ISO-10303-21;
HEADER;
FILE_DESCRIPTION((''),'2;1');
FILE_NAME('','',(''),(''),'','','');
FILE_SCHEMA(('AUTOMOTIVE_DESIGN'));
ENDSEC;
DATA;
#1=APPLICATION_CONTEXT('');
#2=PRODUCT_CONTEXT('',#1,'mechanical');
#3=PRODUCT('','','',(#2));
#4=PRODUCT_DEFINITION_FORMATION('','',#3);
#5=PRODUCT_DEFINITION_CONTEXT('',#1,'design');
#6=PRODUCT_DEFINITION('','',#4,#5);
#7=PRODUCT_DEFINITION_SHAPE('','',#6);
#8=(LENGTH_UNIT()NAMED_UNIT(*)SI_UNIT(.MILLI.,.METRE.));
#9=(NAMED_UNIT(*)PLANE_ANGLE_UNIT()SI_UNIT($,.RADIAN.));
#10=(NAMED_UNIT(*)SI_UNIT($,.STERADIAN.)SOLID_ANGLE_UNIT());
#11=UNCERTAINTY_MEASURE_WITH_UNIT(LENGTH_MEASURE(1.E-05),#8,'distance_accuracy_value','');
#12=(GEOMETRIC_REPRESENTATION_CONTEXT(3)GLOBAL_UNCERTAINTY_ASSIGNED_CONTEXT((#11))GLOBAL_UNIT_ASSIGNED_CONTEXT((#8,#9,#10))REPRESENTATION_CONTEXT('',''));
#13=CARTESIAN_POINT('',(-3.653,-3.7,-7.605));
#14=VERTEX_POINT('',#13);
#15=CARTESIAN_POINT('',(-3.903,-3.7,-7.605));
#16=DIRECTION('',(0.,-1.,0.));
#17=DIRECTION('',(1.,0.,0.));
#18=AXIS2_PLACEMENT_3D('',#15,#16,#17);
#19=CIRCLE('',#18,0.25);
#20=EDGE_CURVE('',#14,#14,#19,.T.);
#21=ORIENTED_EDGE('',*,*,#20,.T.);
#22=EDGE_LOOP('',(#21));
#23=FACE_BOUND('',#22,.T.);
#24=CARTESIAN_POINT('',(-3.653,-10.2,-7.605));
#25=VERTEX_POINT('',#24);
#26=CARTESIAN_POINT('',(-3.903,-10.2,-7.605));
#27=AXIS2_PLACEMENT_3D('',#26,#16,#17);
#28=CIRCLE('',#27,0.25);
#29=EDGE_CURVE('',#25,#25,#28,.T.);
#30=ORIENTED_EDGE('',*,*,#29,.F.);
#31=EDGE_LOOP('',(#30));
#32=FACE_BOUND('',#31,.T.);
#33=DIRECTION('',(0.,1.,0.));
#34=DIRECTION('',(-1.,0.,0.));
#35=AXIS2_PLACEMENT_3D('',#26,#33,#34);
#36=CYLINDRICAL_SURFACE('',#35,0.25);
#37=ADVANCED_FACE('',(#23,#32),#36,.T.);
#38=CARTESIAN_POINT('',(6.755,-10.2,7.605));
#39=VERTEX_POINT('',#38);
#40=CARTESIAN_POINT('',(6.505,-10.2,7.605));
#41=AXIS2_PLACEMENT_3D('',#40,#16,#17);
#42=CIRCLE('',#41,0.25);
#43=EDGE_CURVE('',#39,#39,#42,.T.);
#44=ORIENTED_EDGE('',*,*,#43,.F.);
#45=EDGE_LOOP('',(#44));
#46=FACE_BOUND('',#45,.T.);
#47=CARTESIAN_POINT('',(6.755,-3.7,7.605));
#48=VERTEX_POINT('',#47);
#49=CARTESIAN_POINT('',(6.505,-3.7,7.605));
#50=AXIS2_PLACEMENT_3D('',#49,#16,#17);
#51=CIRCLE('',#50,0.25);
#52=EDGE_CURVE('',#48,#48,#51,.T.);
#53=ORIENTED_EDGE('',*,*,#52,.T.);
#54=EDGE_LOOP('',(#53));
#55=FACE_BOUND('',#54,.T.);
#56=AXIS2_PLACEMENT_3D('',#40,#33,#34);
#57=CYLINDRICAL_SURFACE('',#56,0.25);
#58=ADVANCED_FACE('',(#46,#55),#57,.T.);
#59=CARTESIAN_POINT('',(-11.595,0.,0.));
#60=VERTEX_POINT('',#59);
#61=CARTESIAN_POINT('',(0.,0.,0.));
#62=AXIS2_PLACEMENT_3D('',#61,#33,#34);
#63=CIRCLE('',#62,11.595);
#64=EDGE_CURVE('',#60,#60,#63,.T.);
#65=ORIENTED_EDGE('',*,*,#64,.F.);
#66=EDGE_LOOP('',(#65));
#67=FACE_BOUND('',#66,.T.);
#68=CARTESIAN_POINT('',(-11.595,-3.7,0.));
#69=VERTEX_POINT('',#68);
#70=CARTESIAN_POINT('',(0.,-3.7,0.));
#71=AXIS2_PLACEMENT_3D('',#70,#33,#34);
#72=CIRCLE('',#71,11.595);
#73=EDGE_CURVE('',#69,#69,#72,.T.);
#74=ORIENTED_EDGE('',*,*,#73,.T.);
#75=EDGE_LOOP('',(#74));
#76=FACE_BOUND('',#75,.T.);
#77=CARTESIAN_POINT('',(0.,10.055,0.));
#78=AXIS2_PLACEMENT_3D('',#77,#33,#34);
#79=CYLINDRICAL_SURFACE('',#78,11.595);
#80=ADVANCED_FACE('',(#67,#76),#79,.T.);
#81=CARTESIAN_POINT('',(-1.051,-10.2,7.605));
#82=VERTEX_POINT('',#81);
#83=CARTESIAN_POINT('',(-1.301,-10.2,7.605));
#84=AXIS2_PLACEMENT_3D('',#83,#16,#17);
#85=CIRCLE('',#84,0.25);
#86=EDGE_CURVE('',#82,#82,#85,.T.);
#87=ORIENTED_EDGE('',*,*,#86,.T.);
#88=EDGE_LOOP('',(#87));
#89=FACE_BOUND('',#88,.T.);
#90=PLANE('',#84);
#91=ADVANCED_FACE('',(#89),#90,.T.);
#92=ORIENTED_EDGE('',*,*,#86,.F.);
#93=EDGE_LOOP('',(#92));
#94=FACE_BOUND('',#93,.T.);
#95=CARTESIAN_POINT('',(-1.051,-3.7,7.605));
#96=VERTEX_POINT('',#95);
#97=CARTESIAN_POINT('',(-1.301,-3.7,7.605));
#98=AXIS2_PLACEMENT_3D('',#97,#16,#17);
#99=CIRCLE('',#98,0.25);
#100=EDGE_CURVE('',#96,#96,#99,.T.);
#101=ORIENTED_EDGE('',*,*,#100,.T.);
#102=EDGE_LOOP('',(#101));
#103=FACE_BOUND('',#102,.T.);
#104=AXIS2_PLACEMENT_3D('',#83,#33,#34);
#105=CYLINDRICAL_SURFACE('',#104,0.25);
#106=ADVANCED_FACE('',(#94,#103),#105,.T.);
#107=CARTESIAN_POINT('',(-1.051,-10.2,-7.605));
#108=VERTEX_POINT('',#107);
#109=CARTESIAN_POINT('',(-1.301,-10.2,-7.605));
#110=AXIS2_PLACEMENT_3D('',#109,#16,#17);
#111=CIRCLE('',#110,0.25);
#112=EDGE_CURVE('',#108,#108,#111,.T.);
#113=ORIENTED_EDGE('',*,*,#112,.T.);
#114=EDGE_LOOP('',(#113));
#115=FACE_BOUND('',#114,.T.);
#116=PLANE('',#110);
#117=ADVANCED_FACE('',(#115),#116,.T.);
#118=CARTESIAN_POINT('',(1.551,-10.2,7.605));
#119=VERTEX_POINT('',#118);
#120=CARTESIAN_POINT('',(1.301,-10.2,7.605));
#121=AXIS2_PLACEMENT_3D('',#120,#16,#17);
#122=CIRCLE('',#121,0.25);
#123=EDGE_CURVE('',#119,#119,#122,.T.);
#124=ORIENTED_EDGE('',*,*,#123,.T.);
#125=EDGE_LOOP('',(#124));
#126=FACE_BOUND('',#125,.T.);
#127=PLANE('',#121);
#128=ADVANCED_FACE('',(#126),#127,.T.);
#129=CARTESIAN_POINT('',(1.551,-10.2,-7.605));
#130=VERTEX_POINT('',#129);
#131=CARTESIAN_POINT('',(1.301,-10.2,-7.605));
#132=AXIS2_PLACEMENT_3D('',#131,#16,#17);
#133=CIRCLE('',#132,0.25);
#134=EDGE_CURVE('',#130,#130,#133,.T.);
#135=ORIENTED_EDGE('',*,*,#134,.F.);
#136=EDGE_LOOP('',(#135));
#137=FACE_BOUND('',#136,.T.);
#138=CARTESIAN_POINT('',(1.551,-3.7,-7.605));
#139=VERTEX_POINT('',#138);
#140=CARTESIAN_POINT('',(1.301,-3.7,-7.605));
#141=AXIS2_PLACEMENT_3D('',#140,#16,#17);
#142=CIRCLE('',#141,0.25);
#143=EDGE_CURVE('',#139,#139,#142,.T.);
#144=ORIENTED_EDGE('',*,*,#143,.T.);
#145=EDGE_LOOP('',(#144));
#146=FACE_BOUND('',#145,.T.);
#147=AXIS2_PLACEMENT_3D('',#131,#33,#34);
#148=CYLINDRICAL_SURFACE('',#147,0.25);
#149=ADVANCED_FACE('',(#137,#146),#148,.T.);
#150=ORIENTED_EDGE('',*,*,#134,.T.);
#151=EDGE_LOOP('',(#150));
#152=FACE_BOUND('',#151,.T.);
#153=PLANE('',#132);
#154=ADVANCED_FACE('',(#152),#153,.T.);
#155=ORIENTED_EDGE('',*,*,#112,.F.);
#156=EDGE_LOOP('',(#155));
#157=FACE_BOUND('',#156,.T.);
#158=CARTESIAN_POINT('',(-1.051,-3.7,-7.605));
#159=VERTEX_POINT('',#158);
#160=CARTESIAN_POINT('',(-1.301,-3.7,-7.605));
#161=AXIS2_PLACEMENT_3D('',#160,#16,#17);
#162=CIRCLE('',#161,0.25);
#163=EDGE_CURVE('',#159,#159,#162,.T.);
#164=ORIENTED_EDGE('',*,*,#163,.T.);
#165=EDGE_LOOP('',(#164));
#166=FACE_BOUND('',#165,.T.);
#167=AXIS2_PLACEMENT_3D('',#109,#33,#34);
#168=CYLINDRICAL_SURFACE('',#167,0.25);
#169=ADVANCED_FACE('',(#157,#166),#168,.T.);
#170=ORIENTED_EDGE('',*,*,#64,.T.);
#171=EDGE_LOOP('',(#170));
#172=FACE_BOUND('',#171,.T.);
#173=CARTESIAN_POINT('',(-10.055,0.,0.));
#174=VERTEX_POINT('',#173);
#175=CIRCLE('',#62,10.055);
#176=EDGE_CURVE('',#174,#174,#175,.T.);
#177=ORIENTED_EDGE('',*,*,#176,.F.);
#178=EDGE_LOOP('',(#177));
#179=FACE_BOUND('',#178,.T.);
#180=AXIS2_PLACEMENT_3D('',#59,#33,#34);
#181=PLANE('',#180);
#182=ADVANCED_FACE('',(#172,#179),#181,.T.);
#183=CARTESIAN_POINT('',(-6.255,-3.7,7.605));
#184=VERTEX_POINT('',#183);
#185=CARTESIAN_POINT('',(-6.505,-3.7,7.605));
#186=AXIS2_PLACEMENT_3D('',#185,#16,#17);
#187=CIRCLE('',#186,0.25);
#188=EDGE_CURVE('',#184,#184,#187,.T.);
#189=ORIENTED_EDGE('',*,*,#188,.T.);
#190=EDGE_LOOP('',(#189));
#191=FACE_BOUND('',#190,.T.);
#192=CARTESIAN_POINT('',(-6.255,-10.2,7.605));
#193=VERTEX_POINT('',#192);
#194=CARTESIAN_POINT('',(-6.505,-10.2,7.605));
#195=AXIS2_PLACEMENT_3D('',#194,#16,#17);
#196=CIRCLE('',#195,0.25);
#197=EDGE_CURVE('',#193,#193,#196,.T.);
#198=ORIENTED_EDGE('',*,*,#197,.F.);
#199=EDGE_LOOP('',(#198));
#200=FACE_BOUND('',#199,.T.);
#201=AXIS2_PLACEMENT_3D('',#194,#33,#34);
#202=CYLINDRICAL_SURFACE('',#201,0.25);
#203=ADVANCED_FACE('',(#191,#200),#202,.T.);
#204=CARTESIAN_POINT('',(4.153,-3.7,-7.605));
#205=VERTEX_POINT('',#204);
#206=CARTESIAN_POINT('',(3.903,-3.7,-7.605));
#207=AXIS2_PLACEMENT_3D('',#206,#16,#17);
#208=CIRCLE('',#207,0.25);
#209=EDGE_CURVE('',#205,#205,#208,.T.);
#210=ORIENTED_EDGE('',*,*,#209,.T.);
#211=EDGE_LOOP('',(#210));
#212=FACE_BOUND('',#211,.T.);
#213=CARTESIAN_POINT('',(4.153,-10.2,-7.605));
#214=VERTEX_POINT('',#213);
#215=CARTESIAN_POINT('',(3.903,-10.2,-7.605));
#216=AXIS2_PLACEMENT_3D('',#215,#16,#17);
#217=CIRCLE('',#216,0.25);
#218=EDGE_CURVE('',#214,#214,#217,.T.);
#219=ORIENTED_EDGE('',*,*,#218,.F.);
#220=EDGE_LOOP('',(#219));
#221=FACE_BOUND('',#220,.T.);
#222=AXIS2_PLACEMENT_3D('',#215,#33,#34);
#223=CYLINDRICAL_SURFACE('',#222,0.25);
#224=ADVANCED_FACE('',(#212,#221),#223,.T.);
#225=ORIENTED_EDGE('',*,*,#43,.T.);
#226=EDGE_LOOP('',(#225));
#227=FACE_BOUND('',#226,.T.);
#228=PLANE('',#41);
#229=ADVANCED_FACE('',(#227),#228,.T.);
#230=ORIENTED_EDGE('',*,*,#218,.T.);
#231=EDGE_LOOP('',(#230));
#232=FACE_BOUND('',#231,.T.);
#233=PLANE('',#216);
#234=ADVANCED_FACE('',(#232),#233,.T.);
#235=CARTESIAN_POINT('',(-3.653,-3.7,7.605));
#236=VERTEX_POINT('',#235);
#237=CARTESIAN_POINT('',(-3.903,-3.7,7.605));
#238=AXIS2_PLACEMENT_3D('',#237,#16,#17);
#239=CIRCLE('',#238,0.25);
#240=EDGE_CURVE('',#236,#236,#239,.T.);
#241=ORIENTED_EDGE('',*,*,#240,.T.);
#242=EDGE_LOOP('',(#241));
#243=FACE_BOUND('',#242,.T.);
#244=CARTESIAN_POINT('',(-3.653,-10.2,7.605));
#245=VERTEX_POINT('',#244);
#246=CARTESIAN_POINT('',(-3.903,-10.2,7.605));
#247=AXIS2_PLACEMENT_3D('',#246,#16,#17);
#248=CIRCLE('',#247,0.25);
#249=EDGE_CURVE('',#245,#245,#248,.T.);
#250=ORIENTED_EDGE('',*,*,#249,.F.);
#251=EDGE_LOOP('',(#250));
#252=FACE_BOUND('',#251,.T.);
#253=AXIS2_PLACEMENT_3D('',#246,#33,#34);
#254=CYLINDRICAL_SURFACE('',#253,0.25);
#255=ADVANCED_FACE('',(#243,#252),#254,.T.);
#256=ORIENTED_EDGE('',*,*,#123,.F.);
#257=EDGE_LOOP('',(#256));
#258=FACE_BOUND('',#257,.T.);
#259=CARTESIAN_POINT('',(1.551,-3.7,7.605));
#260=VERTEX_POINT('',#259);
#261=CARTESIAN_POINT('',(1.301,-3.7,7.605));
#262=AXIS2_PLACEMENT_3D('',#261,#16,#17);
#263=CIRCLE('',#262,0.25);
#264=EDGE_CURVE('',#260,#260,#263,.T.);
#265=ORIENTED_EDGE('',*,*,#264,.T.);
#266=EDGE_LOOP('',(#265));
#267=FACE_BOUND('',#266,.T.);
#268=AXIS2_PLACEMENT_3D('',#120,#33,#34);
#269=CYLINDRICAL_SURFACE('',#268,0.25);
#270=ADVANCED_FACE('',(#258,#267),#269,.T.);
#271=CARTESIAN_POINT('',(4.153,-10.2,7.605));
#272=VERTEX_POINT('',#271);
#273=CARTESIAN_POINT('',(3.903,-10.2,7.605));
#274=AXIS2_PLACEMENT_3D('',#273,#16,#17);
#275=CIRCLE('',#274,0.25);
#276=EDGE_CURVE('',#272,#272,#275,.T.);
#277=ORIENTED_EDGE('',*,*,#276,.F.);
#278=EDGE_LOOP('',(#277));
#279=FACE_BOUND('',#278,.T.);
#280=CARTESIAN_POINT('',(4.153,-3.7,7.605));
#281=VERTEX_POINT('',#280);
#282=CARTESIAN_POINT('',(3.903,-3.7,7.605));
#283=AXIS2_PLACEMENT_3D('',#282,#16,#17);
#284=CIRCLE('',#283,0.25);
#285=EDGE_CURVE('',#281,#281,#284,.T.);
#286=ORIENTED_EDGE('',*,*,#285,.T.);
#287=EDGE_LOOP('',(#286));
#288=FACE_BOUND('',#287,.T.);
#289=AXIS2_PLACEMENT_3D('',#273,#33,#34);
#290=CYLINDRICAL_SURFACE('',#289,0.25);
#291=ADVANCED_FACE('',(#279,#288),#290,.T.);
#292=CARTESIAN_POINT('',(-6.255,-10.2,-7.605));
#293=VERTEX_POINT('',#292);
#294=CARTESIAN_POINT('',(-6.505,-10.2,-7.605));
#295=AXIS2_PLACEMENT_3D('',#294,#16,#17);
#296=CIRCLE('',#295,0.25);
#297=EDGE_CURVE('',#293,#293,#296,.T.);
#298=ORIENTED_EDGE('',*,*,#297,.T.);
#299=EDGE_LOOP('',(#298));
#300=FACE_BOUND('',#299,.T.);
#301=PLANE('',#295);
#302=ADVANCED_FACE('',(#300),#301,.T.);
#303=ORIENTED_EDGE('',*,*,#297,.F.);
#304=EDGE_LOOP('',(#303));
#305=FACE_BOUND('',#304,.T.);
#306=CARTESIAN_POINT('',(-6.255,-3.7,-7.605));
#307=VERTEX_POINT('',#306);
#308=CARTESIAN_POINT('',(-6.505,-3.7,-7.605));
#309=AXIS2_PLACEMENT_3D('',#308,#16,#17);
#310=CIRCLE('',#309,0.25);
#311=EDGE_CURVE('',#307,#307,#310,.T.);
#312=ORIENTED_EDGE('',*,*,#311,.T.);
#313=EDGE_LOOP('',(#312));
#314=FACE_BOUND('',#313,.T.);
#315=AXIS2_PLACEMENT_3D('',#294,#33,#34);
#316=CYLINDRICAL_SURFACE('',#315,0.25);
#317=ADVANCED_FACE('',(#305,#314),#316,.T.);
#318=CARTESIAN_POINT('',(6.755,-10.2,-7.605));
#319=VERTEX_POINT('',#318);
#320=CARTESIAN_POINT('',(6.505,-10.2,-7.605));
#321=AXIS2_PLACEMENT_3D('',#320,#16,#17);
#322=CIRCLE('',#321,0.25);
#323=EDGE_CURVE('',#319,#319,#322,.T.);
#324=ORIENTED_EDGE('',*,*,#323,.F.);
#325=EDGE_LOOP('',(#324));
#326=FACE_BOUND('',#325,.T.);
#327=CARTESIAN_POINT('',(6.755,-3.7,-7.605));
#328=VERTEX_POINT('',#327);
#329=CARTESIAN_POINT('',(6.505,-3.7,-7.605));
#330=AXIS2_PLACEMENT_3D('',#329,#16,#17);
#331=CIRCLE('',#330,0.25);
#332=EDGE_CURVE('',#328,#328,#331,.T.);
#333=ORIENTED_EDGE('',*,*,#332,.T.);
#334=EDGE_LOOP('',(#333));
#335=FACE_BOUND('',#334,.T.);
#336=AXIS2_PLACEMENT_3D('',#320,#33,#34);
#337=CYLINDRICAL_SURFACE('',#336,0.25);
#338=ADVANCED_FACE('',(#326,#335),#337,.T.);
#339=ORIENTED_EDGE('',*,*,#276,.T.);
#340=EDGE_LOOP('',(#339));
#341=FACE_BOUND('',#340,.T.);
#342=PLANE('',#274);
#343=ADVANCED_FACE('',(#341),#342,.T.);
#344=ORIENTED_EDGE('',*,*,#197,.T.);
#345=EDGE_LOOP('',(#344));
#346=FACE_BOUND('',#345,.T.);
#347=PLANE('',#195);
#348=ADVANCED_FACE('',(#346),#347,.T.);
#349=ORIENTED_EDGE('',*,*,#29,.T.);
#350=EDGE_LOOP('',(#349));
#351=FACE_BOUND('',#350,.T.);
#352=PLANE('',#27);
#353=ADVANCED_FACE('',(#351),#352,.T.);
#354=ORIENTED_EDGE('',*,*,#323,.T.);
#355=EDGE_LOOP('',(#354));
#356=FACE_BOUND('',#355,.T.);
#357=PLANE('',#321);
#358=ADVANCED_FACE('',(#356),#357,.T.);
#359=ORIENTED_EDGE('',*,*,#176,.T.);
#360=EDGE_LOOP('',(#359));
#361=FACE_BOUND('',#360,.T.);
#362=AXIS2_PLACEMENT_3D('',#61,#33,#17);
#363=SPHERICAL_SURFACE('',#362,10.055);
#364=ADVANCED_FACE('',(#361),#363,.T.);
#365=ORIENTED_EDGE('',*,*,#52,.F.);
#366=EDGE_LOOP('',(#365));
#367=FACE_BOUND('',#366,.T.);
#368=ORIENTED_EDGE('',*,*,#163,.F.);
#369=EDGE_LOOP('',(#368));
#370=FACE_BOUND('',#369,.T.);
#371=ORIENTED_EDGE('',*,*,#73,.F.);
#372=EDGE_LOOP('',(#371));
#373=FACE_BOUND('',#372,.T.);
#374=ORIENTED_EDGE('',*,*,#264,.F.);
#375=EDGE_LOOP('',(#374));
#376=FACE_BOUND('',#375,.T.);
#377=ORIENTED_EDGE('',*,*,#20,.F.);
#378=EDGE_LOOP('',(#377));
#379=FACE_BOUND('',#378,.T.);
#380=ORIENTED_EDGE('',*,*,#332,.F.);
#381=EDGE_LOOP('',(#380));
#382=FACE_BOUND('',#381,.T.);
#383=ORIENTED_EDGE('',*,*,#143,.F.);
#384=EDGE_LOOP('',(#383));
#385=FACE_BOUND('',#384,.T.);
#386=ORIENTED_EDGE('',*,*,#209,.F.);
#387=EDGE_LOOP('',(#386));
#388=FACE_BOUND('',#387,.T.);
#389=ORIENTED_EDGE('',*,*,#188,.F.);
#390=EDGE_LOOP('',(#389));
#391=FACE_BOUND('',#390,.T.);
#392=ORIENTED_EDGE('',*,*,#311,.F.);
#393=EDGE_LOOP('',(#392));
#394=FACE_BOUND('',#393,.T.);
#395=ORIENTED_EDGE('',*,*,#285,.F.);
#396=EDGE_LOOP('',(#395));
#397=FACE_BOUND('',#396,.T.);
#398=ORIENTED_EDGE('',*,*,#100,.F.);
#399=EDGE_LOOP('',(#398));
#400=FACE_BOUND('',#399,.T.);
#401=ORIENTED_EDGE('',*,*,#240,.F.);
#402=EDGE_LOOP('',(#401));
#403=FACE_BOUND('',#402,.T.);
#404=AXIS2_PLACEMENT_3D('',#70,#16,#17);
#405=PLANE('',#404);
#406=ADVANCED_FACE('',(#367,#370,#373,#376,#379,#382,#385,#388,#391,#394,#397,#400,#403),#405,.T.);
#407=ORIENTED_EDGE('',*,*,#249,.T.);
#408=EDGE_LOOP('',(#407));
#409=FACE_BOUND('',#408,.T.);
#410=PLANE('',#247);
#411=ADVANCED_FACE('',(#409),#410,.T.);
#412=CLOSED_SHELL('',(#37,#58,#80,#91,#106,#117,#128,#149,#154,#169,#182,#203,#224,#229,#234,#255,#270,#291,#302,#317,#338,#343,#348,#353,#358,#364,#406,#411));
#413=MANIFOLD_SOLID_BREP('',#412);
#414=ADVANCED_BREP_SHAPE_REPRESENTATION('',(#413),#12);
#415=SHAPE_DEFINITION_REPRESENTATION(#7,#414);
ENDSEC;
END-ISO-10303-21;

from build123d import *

# Parameters (mm, degrees)
SKETCH2_R           = 0.25
BOSS_EXTRUDE1_DEPTH = 6.5


with BuildPart() as part:
    # Sketch1 → Revolve1 (revolve)
    with BuildSketch(Plane.XY):
        with BuildLine():
            Line((0, 10.055), (0, 0))
            Line((0, 0), (0, -3.7))
            Line((0, -3.7), (-11.595, -3.7))
            Line((-11.595, -3.7), (-11.595, 0))
            Line((-11.595, 0), (-10.055, 0))
            ThreePointArc((-10.055, 0), (-7.109958685, 7.109958685), (0, 10.055))
        make_face()
    revolve(axis=Axis((0, 10.055, 0), (0, -1, 0)))

    # Sketch2 → Boss-Extrude1 (add)
    with BuildSketch(Plane.XZ.offset(3.7)):
        with Locations((-6.505, 7.605)):
            Circle(SKETCH2_R)
        with Locations((-3.903, 7.605)):
            Circle(SKETCH2_R)
        with Locations((-1.301, 7.605)):
            Circle(SKETCH2_R)
        with Locations((1.301, 7.605)):
            Circle(SKETCH2_R)
        with Locations((3.903, 7.605)):
            Circle(SKETCH2_R)
        with Locations((6.505, 7.605)):
            Circle(SKETCH2_R)
        with Locations((-3.903, -7.605)):
            Circle(SKETCH2_R)
        with Locations((-1.301, -7.605)):
            Circle(SKETCH2_R)
        with Locations((1.301, -7.605)):
            Circle(SKETCH2_R)
        with Locations((3.903, -7.605)):
            Circle(SKETCH2_R)
        with Locations((6.505, -7.605)):
            Circle(SKETCH2_R)
        with Locations((-6.505, -7.605)):
            Circle(SKETCH2_R)
    extrude(amount=BOSS_EXTRUDE1_DEPTH)


solid = part.part
